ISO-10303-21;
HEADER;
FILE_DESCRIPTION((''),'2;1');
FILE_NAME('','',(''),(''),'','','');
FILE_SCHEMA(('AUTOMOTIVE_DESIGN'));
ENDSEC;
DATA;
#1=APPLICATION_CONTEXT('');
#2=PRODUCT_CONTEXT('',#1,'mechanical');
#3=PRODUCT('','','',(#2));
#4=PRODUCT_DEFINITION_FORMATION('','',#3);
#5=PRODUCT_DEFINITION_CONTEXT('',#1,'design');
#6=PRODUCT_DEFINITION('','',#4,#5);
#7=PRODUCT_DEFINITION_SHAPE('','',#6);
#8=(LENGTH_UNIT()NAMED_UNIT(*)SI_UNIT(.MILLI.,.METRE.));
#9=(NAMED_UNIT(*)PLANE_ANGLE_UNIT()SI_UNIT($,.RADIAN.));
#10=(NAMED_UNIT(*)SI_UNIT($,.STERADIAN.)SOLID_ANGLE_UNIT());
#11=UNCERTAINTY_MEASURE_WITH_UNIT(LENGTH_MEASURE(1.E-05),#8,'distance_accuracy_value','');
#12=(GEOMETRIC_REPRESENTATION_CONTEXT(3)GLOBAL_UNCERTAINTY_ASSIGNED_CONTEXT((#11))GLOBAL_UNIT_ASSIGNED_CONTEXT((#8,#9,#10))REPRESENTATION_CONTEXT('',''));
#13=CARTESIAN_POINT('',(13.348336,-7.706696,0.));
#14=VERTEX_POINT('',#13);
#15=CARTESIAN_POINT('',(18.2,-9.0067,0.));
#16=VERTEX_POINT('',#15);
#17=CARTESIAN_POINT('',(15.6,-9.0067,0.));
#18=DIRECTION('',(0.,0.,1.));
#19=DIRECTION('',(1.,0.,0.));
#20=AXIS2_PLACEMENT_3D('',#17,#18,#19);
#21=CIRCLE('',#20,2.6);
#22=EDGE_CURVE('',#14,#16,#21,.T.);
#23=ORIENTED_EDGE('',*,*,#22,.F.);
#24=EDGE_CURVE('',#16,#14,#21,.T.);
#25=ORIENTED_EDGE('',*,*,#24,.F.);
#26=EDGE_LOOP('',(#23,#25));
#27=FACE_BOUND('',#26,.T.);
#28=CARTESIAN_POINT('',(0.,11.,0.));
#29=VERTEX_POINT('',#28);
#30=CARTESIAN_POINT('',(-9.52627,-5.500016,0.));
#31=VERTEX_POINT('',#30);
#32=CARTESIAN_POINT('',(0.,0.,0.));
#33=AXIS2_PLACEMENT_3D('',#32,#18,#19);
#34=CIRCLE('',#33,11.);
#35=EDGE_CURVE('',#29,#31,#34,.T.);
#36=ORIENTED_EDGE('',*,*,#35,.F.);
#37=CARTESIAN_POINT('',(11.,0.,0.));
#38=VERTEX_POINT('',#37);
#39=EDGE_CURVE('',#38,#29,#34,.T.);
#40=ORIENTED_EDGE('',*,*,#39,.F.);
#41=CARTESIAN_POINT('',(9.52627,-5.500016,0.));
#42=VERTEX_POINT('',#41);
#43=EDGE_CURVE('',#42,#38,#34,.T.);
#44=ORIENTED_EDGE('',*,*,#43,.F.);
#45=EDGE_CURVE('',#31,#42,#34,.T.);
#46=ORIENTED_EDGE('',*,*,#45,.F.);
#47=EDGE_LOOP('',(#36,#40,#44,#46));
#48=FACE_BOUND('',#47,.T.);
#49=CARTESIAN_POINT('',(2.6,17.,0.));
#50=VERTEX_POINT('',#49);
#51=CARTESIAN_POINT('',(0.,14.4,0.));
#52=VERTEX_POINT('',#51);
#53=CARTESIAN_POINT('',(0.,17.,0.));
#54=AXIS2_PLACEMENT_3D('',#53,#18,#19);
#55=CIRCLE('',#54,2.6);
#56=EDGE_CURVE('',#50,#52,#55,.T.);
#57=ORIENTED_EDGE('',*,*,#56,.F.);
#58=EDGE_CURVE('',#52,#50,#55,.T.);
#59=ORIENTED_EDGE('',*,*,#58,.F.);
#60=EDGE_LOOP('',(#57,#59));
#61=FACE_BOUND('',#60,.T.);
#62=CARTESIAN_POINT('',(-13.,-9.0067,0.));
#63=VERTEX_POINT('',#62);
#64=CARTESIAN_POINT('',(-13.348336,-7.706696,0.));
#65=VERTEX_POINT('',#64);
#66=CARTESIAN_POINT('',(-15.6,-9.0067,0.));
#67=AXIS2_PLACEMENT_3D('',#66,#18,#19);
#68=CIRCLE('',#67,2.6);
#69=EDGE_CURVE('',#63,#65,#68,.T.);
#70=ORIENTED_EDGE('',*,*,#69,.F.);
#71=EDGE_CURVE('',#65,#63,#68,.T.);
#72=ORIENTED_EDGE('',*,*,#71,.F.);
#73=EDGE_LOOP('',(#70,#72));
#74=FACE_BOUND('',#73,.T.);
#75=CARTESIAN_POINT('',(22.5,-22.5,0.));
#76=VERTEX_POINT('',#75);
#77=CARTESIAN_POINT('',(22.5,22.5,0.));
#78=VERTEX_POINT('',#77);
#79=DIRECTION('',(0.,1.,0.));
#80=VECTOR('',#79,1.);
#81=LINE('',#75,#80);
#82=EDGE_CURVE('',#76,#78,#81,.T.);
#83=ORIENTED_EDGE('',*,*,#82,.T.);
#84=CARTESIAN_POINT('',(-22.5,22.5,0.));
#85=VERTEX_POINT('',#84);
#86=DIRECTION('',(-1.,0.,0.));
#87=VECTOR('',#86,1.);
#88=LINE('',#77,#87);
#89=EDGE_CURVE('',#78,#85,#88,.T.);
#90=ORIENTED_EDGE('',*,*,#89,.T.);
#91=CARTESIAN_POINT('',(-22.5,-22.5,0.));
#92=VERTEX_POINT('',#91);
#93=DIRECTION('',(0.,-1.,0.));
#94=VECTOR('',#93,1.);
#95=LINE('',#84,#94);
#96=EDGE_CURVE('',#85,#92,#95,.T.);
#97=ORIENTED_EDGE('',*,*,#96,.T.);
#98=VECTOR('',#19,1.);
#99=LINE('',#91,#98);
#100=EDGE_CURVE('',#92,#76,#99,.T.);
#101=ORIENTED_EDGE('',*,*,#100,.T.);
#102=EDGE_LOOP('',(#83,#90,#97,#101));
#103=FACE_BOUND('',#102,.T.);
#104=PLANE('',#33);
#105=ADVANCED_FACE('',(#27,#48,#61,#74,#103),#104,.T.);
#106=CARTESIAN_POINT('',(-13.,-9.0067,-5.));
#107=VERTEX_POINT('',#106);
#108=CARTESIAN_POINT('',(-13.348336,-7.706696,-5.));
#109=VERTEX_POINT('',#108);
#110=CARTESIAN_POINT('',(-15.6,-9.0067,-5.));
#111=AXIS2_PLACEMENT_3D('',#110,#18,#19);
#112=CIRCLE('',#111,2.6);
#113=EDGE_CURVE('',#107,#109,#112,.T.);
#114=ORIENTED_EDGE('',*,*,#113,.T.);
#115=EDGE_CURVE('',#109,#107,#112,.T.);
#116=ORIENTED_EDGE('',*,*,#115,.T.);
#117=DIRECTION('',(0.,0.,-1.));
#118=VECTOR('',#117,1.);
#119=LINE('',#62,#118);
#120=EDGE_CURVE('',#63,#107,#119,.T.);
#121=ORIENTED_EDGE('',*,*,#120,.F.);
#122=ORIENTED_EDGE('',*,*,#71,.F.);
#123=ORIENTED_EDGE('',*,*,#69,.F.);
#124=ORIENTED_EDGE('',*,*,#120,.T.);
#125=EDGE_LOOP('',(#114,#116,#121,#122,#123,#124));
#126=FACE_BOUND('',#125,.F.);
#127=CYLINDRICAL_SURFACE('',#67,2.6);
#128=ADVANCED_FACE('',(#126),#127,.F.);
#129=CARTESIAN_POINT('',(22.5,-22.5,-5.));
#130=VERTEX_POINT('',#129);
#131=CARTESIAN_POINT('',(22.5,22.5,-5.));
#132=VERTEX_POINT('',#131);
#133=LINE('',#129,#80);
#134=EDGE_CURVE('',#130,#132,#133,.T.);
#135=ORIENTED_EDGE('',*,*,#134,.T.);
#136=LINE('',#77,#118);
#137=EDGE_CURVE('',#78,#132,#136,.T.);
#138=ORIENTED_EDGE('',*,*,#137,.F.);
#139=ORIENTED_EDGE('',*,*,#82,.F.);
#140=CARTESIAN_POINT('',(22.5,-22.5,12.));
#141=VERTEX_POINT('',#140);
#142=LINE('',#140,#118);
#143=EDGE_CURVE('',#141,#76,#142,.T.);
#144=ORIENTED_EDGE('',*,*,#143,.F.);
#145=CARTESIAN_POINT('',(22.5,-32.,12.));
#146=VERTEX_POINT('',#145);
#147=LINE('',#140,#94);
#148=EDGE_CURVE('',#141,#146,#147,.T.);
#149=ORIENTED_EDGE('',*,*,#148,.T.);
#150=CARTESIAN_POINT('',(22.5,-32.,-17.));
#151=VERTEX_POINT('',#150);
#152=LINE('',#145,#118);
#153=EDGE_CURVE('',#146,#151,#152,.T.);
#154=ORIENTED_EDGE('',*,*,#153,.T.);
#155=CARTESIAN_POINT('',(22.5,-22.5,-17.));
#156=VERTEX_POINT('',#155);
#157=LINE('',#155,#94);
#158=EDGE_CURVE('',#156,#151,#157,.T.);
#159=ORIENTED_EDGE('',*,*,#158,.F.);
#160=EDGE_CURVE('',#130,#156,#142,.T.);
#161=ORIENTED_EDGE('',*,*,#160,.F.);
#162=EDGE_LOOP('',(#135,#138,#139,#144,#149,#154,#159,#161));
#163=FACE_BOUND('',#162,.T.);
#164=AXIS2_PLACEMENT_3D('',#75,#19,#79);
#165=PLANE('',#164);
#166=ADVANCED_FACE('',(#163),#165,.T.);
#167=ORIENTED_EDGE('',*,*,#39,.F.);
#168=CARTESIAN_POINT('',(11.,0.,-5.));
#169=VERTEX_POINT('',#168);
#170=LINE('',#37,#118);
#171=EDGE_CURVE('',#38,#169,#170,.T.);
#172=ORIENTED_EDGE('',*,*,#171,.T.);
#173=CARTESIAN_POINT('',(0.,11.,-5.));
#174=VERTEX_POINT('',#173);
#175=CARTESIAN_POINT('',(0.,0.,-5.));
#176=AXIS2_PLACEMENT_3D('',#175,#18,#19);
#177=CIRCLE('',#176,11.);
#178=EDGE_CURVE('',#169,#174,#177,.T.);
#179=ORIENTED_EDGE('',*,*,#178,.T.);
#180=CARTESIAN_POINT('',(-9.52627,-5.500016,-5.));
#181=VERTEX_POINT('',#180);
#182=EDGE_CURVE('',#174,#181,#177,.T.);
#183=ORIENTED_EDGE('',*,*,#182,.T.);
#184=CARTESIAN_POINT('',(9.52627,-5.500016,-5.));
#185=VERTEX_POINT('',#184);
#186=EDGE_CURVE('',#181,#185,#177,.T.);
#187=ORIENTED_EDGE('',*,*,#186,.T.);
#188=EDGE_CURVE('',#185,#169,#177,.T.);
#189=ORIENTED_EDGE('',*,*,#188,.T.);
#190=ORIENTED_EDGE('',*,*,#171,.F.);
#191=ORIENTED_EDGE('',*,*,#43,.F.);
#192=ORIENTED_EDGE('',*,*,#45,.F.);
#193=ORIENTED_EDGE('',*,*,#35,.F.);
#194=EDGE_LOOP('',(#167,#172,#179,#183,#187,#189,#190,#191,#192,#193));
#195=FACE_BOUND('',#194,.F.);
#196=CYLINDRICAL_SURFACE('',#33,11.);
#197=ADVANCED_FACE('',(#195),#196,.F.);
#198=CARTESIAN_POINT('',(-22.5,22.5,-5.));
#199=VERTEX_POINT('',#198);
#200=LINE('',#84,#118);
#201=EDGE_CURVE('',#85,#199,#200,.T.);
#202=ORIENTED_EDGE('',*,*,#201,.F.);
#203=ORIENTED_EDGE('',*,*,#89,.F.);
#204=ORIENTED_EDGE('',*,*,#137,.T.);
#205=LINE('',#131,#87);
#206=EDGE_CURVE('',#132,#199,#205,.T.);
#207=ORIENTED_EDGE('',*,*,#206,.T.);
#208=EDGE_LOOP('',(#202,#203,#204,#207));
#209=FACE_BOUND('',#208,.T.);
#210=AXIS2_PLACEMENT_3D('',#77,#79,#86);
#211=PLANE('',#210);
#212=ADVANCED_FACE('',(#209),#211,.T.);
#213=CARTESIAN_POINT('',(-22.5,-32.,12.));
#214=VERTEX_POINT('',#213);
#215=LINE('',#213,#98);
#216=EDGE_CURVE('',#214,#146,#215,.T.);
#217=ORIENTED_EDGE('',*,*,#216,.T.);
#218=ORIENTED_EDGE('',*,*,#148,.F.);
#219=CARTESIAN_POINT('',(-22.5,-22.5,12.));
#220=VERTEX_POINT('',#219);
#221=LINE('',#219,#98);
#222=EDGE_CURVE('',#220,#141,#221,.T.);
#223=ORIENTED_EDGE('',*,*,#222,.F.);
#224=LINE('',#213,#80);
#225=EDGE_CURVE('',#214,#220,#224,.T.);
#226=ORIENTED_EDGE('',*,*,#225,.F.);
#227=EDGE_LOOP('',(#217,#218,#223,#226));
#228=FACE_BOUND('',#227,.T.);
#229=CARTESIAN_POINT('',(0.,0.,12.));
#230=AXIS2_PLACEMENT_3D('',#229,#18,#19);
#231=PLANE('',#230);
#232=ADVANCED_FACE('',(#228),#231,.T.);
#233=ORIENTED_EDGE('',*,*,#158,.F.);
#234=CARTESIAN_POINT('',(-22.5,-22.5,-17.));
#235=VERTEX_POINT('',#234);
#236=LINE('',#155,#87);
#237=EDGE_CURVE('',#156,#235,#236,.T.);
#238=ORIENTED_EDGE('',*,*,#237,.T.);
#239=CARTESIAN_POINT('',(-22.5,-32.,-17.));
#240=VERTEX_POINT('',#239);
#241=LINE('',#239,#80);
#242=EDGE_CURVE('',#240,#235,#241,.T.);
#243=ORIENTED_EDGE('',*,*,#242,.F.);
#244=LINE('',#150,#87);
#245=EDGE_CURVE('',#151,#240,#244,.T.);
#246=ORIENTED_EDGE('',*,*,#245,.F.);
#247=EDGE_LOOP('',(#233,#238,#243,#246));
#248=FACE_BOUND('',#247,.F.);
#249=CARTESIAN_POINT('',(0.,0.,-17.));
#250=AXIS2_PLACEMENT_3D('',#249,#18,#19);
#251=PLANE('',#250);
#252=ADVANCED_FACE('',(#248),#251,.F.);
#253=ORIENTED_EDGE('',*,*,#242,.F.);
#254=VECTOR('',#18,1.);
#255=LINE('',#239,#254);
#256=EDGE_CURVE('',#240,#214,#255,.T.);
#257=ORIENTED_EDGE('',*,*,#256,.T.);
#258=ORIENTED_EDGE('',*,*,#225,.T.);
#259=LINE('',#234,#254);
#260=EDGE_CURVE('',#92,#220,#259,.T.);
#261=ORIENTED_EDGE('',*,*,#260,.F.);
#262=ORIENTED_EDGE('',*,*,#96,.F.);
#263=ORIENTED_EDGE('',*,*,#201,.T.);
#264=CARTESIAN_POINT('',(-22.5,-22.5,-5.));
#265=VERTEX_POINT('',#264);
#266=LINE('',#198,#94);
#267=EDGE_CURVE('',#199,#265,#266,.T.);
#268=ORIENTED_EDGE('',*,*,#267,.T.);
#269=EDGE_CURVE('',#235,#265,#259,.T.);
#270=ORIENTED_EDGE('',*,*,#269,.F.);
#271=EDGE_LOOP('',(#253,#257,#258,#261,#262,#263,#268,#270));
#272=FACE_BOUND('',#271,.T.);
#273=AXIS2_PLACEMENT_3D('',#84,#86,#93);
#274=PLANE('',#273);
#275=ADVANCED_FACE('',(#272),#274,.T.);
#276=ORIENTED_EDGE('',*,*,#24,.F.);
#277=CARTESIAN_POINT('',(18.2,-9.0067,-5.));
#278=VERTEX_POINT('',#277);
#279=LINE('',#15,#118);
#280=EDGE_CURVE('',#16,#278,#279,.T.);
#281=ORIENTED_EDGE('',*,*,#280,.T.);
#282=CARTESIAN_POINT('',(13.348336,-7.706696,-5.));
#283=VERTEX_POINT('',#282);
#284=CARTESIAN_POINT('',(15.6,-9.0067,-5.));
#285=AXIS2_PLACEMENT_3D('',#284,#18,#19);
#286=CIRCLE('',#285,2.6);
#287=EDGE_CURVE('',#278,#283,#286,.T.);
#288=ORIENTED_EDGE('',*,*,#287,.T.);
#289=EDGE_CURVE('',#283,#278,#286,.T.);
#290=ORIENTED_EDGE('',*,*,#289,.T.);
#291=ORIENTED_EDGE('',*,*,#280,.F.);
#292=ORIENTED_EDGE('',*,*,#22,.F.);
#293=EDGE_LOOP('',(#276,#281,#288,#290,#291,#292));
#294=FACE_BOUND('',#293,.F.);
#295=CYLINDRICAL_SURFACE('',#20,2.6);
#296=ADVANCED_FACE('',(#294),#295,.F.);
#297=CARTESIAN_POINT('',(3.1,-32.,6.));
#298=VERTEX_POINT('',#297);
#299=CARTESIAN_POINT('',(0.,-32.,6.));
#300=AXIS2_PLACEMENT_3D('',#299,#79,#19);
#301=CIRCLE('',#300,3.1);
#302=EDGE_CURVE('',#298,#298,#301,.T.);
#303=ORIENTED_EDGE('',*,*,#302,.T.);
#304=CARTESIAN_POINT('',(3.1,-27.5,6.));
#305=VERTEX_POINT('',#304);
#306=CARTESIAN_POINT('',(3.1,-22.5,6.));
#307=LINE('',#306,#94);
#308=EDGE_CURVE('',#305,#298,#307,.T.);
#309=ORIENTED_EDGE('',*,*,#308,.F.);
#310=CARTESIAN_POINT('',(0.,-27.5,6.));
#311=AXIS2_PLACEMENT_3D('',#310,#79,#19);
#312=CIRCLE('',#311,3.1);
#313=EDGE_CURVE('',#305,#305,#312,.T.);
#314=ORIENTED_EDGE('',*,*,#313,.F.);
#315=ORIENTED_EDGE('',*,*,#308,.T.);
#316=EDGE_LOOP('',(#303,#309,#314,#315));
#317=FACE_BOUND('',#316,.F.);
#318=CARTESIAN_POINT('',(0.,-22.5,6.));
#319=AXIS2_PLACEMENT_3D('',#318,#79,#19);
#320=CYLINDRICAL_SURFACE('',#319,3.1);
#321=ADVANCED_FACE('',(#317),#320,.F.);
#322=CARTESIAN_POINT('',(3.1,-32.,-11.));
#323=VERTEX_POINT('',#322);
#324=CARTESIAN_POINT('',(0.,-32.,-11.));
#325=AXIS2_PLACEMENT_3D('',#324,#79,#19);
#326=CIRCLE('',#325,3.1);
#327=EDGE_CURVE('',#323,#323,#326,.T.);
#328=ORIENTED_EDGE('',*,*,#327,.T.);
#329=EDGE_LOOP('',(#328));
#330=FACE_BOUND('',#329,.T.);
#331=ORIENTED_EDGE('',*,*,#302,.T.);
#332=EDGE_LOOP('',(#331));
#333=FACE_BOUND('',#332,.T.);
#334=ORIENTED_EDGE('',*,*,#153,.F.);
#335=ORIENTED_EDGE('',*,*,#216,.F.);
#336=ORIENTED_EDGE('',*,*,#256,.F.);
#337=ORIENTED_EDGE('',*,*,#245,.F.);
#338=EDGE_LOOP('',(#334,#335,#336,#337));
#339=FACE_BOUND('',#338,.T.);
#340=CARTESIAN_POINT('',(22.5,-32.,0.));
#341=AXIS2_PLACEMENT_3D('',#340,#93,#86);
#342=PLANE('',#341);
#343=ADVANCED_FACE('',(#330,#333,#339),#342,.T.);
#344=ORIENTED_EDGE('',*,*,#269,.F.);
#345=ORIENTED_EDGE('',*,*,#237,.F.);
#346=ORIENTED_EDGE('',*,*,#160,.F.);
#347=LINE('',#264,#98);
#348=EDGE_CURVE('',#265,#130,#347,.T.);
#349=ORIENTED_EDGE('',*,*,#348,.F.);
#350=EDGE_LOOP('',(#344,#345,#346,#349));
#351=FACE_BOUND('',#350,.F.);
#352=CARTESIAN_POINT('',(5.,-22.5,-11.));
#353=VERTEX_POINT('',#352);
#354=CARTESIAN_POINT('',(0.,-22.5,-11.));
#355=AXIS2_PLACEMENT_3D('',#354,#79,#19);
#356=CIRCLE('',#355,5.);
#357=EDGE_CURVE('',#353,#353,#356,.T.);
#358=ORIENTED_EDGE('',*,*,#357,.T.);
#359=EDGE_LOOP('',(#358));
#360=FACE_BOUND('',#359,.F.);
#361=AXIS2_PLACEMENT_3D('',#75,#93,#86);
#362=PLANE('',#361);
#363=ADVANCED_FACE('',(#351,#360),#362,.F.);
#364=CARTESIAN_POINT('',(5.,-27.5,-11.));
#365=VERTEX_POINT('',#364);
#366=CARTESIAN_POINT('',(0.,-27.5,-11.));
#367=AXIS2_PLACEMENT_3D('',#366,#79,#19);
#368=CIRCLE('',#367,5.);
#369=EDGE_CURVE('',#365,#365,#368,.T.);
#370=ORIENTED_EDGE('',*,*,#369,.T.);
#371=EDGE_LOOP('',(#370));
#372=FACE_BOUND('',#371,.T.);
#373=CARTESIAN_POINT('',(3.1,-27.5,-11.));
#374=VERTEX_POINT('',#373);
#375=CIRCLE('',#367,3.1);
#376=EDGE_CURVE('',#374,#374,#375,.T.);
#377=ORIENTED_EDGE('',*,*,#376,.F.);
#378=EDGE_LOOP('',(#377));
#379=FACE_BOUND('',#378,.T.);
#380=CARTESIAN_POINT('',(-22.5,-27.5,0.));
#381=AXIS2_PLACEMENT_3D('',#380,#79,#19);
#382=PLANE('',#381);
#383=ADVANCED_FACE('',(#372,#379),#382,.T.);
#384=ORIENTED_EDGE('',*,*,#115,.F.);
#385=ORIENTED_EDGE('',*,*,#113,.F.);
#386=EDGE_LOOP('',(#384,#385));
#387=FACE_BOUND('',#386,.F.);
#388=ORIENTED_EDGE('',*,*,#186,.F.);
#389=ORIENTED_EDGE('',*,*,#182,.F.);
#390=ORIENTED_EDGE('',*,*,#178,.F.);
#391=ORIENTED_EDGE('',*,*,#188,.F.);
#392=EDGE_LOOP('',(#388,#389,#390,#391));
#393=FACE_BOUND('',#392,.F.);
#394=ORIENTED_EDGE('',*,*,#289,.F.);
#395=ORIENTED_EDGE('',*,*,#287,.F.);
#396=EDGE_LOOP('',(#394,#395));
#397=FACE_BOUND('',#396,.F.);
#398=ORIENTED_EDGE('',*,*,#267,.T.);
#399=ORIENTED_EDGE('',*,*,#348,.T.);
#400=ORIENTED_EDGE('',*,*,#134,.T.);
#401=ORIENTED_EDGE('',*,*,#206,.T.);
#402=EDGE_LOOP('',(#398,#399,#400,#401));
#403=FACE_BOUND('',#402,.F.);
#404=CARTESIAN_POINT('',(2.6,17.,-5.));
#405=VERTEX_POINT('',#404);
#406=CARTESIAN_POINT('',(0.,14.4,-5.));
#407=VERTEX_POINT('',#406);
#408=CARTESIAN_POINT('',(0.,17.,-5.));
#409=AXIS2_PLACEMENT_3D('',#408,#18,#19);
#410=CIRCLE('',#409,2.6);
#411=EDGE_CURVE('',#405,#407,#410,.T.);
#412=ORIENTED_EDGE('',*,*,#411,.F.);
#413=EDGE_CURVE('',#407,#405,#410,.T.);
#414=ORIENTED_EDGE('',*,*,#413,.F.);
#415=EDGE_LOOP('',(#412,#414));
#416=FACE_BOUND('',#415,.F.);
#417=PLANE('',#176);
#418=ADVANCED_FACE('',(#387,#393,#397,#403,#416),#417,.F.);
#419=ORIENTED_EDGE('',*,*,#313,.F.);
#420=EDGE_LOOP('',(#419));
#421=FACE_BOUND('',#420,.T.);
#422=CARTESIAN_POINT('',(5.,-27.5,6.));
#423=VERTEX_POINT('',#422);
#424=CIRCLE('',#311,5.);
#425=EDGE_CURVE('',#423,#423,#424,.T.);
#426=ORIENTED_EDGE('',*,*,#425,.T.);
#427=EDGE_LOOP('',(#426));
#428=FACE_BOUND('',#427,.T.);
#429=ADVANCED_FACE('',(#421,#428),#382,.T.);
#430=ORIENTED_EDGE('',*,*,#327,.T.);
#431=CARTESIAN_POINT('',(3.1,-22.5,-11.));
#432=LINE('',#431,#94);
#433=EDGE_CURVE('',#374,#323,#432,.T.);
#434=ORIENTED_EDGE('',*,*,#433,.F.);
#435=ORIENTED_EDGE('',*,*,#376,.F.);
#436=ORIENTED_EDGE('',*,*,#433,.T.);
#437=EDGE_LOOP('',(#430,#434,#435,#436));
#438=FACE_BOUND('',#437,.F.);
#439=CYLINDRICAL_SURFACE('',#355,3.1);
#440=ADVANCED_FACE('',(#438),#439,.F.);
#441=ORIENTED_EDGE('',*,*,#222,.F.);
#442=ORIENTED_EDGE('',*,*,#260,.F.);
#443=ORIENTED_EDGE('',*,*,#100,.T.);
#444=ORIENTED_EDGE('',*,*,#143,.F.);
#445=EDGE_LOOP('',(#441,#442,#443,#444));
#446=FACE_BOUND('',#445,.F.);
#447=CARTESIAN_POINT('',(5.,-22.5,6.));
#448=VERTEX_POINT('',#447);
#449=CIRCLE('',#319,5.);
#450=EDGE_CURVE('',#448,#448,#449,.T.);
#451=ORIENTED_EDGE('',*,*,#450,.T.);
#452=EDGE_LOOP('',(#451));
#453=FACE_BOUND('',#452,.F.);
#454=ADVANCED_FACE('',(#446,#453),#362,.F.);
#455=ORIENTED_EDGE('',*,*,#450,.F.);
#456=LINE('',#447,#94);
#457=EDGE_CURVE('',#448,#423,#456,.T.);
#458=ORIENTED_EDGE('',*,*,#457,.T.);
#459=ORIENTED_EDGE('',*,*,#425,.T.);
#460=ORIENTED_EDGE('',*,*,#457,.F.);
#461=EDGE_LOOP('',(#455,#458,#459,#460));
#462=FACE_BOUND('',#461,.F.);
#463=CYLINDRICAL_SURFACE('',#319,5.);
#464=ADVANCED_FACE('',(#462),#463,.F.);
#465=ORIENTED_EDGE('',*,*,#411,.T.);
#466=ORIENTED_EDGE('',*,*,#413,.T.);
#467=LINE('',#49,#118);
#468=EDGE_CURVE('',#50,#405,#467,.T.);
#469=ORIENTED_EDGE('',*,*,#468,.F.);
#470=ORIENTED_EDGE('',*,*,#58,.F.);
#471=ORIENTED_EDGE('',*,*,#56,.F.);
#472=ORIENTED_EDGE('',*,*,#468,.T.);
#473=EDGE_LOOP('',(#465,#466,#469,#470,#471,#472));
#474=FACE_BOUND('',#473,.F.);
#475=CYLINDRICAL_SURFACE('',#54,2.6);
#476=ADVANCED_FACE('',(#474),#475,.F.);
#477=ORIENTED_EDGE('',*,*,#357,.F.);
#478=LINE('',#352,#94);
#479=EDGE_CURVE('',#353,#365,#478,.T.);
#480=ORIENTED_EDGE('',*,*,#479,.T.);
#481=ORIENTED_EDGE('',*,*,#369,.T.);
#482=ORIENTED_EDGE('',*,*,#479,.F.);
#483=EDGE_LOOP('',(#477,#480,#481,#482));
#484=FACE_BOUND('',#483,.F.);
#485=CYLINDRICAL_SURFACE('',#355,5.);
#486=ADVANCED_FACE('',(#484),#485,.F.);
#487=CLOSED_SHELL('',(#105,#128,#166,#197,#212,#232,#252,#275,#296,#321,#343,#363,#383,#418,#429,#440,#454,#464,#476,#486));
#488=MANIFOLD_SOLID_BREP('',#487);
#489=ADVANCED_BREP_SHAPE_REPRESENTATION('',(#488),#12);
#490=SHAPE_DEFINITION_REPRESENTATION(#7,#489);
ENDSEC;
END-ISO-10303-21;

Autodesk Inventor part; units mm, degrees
ref_plane "YZ Plane" through (0, 0, 0) normal (1, 0, 0) x (0, 1, 0)
ref_plane "XZ Plane" through (0, 0, 0) normal (0, 1, 0) x (-1, 0, 0)
ref_plane "XY Plane" through (0, 0, 0) normal (0, 0, 1) x (1, 0, 0)
sketch "Sketch1" plane through (0, 0, 0) normal (0, 0, 1) x (1, 0, 0)
  line L0 (-22.5, -22.5) -> (22.5, -22.5)
  line L1 (22.5, -22.5) -> (22.5, 22.5)
  line L2 (22.5, 22.5) -> (-22.5, 22.5)
  line L3 (-22.5, 22.5) -> (-22.5, -22.5)
  line L4 (-22.5, -22.5) -> (22.5, 22.5) construction
  line L5 (22.5, -22.5) -> (-22.5, 22.5) construction
  circle A0 centre (0, 0) radius 11
  line L6 (0, 0) -> (0, 17)
  line L7 (0, 0) -> (15.6, -9.0067)
  line L8 (0, 0) -> (-15.6, -9.0067)
  circle A1 centre (0, 17) radius 2.6
  circle A2 centre (15.6, -9.0067) radius 2.6
  circle A3 centre (-15.6, -9.0067) radius 2.6
  point P0 (22.5, -11.0947)
  point P1 (-22.5, -11.0947)
  dimension "d0" = 45
  dimension "d1" = 45
  dimension "d2" = 22
  dimension "d3" = 17
  dimension "d4" = 15.6
  dimension "d5" = 120
  dimension "d6" = 15.6
  dimension "d7" = 120
  dimension "d8" = 5.2
  dimension "d9" = 5.2
  dimension "d10" = 5.2
extrude "Extrusion2" add sketch "Sketch1" against normal blind 5
sketch "Sketch16" plane through (0, 0, 0) normal (0, 0, 1) x (1, 0, 0)
  line L0 (0, 0) -> (0, -32)
  line L1 (22.5, -22.5) -> (-22.5, -22.5) projected
  line L2 (-22.5, -22.5) -> (22.5, -22.5)
  line L3 (22.5, -22.5) -> (22.5, -32)
  line L4 (22.5, -32) -> (-22.5, -32)
  line L5 (-22.5, -32) -> (-22.5, -22.5)
  dimension "d37" = 32
extrude "Extrusion9" add sketch "Sketch16" along normal blind 12 and the other way blind 17
sketch "Sketch17" plane through (-22.5, -22.5, 0) normal (0, 1, 0) x (1, 0, 0)
  circle A0 centre (22.5, -6) radius 3.1
  circle A1 centre (22.5, -6) radius 5
  circle A2 centre (22.5, 11) radius 3.1
  circle A3 centre (22.5, 11) radius 5
  point P0 (22.5, 0)
  dimension "d42" = 6.2
  dimension "d43" = 10
  dimension "d44" = 6.2
  dimension "d45" = 10
extrude "Extrusion10" cut sketch "Sketch17" against normal through all contours A0 | A2
extrude "Extrusion11" cut sketch "Sketch17" against normal blind 5
equation "\"d1\" = d0"
equation "\"d4\" = d6"
equation "\"d7\" = d5"
equation "\"d9\" = d8"
equation "\"d10\" = d8"
properties part number "mount_v11"
